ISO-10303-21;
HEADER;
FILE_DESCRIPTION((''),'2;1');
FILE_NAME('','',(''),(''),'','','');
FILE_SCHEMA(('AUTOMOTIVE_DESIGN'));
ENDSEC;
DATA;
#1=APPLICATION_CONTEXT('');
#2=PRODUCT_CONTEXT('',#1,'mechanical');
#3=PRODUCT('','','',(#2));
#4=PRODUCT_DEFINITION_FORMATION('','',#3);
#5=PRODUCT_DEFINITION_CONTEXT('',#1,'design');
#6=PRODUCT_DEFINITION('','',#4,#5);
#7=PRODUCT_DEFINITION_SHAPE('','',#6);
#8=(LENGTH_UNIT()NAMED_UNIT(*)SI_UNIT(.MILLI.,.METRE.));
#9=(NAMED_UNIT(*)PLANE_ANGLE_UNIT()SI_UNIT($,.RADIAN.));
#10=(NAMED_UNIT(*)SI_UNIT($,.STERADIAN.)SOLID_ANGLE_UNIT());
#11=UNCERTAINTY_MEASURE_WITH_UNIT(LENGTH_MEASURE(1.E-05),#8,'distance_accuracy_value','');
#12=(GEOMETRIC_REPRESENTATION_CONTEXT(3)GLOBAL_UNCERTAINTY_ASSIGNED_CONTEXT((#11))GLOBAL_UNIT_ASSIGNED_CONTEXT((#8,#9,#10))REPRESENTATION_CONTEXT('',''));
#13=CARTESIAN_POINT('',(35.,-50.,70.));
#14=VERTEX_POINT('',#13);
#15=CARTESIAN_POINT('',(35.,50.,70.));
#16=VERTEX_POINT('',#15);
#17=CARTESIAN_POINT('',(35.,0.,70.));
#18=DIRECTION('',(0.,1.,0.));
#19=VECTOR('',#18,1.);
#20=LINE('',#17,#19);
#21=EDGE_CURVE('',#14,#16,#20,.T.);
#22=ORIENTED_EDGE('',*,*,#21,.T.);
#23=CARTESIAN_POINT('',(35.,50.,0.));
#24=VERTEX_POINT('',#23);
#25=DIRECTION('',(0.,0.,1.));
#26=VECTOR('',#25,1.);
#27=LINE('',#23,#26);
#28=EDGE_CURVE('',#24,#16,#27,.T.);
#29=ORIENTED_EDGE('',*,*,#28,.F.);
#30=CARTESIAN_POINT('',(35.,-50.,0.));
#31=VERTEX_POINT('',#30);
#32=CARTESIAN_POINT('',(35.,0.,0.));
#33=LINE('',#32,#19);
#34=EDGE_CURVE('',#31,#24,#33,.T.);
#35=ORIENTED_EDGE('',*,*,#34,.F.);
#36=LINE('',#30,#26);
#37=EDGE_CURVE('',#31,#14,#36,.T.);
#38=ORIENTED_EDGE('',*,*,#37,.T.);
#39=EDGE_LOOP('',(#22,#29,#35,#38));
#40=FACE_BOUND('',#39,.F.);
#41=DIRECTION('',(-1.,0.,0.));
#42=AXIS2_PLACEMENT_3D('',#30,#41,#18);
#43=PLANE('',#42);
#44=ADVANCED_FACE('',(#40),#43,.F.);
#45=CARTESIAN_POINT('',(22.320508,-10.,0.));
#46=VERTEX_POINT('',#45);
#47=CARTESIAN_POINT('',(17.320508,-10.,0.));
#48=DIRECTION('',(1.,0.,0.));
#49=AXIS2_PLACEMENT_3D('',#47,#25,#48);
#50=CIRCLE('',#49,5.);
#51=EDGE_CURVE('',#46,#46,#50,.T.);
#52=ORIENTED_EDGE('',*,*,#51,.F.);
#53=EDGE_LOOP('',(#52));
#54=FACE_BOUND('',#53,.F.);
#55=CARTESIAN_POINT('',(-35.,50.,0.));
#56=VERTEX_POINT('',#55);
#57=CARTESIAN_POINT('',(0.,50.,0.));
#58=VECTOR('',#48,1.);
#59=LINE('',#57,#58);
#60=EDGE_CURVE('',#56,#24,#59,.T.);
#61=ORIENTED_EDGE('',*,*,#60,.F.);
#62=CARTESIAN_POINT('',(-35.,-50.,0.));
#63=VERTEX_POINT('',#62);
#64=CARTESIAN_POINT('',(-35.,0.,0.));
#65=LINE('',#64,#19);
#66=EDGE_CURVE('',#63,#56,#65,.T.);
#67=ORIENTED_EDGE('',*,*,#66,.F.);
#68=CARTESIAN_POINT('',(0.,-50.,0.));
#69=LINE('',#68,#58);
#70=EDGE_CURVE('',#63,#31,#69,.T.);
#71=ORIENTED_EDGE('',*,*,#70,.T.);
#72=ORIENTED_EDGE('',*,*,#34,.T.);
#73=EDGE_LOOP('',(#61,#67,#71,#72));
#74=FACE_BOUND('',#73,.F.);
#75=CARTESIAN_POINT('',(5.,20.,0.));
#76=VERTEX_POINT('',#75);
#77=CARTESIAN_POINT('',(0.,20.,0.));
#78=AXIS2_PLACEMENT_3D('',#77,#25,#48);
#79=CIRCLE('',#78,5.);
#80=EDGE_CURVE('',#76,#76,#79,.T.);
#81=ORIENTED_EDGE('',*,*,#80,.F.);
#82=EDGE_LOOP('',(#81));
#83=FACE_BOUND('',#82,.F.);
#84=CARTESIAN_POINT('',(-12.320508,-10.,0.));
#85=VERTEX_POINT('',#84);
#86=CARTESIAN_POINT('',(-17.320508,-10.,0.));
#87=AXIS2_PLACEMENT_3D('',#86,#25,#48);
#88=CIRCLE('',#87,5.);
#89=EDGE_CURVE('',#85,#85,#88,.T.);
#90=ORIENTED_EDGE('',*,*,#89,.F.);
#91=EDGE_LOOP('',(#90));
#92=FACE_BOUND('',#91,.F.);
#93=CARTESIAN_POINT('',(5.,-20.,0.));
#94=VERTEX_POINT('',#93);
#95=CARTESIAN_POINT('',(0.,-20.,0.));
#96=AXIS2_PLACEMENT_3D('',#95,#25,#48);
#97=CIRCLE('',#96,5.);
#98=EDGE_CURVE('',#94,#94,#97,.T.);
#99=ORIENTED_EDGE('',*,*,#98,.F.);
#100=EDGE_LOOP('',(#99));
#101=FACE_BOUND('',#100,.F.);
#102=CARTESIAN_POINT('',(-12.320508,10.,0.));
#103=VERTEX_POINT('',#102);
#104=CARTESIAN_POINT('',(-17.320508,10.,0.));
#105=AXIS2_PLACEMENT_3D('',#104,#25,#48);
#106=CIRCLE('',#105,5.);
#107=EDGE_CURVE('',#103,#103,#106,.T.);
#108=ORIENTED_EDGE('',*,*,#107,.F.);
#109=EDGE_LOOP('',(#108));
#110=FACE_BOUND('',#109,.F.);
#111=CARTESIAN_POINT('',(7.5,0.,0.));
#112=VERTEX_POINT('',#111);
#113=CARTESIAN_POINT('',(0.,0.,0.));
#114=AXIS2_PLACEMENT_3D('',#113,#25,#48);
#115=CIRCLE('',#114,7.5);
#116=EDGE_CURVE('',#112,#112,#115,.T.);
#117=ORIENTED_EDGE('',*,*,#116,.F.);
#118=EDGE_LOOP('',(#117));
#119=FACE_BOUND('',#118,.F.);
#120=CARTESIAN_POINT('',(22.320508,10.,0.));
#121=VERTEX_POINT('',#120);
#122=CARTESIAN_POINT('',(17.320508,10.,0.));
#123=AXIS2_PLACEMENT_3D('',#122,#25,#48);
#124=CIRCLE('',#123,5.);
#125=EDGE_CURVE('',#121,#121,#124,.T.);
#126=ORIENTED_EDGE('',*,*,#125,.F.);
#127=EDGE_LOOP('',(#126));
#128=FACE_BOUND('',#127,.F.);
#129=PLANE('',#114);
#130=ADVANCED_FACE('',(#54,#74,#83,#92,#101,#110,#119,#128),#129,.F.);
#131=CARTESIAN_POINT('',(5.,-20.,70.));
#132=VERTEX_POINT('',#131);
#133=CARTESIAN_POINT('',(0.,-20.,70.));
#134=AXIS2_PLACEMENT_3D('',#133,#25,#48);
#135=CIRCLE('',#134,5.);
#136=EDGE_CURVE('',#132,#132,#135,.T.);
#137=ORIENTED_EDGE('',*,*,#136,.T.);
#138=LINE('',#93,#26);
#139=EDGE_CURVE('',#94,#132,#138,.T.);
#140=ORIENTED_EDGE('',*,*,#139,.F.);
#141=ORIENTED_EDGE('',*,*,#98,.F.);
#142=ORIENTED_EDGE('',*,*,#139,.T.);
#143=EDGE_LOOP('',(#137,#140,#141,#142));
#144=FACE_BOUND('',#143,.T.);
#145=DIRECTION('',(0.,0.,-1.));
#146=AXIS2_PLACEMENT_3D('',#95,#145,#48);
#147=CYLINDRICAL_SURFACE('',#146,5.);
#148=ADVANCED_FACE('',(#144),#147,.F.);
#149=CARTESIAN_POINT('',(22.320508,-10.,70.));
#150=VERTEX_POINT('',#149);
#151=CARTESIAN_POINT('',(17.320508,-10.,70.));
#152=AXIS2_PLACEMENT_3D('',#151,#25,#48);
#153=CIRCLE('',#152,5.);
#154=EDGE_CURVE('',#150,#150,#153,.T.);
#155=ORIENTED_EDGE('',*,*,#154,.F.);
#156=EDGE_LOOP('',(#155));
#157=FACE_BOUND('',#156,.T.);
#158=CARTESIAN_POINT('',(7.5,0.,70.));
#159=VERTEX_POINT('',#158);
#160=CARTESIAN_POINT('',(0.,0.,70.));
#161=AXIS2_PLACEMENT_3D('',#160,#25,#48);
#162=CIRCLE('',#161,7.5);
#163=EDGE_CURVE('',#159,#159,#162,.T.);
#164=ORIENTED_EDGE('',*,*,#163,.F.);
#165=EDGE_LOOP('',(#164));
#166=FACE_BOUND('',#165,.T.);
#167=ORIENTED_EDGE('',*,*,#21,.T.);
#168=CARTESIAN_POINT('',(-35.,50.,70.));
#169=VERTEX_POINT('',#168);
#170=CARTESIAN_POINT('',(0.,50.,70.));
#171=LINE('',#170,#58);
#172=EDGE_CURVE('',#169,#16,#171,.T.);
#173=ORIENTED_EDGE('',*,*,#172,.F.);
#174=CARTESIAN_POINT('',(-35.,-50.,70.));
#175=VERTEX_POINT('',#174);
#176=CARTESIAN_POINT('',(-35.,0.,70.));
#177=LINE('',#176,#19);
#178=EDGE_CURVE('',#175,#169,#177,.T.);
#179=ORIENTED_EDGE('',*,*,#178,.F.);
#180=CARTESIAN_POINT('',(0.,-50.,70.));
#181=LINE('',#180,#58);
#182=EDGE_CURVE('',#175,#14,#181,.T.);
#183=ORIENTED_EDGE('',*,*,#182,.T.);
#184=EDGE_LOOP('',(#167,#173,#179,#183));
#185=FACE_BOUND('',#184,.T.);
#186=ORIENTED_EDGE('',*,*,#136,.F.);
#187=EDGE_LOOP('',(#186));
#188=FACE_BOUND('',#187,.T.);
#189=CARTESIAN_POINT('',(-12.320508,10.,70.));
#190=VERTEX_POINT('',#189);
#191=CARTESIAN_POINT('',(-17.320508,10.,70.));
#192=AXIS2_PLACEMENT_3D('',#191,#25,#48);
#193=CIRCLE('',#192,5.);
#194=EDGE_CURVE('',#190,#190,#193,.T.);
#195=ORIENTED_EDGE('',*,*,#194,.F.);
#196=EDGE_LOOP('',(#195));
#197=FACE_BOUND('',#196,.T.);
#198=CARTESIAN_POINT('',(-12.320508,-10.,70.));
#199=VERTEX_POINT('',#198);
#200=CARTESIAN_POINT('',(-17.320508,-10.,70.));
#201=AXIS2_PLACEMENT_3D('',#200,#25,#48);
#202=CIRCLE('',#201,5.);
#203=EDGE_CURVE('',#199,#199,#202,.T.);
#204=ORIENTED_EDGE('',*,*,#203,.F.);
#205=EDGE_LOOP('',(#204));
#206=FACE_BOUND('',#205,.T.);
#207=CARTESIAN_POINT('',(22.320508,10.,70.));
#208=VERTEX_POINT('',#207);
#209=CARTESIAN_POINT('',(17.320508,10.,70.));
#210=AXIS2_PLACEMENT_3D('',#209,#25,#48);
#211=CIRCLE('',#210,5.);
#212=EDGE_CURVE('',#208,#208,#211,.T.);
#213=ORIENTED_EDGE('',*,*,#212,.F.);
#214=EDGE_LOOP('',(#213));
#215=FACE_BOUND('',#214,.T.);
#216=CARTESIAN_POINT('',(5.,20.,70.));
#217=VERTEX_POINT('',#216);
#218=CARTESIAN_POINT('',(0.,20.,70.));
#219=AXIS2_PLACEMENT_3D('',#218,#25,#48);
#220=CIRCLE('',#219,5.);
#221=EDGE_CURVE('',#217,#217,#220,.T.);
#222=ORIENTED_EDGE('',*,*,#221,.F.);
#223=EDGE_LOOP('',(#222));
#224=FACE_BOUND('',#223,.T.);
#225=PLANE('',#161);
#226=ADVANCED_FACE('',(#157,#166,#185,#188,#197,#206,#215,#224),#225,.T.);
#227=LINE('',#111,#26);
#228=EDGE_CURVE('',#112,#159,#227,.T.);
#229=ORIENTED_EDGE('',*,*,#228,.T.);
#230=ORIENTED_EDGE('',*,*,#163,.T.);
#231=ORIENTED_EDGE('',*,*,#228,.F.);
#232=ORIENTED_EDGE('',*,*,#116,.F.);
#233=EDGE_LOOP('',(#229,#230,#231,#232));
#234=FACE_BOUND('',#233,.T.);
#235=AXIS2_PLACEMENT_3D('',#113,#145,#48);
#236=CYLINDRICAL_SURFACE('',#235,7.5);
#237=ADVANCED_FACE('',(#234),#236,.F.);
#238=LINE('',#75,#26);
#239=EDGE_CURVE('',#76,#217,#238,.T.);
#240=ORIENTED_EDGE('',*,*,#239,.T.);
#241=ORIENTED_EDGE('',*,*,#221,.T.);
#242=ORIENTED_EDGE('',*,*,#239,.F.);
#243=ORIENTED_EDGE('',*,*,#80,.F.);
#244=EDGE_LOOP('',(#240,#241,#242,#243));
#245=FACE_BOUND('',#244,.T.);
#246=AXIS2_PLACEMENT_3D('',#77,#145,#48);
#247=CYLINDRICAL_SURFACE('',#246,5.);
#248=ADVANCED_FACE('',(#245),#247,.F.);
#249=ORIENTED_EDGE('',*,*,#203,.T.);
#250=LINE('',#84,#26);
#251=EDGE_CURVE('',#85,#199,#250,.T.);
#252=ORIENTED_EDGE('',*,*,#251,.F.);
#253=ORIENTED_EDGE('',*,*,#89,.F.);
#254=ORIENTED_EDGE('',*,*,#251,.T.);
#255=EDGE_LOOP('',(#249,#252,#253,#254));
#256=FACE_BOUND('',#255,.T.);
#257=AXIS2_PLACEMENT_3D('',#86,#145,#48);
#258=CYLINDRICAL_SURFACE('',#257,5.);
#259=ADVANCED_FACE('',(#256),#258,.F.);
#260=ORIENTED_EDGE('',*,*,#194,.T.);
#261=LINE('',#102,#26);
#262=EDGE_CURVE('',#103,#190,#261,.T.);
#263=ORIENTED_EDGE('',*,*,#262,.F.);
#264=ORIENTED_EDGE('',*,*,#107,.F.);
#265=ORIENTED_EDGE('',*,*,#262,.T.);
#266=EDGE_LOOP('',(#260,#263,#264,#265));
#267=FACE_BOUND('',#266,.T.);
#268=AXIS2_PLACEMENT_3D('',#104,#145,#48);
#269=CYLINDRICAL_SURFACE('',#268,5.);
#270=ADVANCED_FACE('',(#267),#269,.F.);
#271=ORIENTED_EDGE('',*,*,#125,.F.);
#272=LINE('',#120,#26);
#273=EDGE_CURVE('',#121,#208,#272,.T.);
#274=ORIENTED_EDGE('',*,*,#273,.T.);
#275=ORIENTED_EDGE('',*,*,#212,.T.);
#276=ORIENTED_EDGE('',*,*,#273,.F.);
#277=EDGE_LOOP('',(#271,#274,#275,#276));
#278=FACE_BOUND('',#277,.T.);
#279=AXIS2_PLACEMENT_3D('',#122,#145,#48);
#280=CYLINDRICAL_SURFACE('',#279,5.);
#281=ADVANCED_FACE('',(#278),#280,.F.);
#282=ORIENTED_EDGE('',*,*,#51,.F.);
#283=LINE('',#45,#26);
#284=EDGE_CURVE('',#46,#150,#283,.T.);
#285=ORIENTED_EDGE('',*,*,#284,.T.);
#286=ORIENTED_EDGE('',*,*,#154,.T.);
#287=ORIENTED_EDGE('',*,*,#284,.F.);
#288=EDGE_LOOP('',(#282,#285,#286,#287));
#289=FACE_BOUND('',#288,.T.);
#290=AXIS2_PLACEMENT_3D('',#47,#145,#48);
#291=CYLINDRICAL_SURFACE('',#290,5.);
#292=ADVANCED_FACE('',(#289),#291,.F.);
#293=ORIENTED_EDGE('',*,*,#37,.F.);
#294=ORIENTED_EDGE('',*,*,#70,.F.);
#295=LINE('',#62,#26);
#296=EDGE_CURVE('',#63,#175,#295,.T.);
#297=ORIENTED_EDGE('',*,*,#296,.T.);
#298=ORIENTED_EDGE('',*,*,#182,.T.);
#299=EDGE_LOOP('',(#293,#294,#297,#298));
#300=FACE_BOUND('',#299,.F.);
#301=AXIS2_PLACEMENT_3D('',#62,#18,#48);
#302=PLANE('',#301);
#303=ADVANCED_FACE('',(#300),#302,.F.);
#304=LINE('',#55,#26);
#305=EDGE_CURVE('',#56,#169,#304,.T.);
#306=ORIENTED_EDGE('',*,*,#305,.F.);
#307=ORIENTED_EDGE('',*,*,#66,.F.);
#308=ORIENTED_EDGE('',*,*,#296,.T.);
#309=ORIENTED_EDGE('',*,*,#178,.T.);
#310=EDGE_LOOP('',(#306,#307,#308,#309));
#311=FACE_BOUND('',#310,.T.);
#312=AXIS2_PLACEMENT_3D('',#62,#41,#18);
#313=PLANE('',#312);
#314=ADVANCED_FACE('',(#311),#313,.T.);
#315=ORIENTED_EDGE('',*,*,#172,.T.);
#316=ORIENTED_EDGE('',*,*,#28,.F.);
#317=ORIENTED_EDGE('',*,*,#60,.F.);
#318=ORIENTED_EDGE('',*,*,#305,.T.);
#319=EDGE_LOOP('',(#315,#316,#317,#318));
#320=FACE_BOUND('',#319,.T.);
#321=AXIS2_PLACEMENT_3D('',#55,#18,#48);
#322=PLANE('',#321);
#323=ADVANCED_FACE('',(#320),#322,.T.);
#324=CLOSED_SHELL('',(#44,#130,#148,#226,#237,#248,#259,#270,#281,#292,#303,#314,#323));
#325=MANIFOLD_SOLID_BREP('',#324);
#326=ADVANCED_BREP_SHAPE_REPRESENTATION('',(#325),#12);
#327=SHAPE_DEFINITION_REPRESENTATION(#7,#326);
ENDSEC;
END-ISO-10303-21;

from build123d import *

# Parameters (mm, degrees)
F0_W     = 70
F0_H     = 100
F0_R     = 5
F0_R_2   = 7.5
F1_DEPTH = 70


with BuildPart() as f1:
    # F0 (on Top) → F1 (new body)
    with BuildSketch(Plane.XY):
        Rectangle(F0_W, F0_H)
        with Locations((-17.320508, -10)):
            Circle(F0_R, mode=Mode.SUBTRACT)
        with Locations((0, -20)):
            Circle(F0_R, mode=Mode.SUBTRACT)
        with Locations((17.320508, -10)):
            Circle(F0_R, mode=Mode.SUBTRACT)
        with Locations((-17.320508, 10)):
            Circle(F0_R, mode=Mode.SUBTRACT)
        Circle(F0_R_2, mode=Mode.SUBTRACT)
        with Locations((17.320508, 10)):
            Circle(F0_R, mode=Mode.SUBTRACT)
        with Locations((0, 20)):
            Circle(F0_R, mode=Mode.SUBTRACT)
    extrude(amount=F1_DEPTH)


solid = f1.part
